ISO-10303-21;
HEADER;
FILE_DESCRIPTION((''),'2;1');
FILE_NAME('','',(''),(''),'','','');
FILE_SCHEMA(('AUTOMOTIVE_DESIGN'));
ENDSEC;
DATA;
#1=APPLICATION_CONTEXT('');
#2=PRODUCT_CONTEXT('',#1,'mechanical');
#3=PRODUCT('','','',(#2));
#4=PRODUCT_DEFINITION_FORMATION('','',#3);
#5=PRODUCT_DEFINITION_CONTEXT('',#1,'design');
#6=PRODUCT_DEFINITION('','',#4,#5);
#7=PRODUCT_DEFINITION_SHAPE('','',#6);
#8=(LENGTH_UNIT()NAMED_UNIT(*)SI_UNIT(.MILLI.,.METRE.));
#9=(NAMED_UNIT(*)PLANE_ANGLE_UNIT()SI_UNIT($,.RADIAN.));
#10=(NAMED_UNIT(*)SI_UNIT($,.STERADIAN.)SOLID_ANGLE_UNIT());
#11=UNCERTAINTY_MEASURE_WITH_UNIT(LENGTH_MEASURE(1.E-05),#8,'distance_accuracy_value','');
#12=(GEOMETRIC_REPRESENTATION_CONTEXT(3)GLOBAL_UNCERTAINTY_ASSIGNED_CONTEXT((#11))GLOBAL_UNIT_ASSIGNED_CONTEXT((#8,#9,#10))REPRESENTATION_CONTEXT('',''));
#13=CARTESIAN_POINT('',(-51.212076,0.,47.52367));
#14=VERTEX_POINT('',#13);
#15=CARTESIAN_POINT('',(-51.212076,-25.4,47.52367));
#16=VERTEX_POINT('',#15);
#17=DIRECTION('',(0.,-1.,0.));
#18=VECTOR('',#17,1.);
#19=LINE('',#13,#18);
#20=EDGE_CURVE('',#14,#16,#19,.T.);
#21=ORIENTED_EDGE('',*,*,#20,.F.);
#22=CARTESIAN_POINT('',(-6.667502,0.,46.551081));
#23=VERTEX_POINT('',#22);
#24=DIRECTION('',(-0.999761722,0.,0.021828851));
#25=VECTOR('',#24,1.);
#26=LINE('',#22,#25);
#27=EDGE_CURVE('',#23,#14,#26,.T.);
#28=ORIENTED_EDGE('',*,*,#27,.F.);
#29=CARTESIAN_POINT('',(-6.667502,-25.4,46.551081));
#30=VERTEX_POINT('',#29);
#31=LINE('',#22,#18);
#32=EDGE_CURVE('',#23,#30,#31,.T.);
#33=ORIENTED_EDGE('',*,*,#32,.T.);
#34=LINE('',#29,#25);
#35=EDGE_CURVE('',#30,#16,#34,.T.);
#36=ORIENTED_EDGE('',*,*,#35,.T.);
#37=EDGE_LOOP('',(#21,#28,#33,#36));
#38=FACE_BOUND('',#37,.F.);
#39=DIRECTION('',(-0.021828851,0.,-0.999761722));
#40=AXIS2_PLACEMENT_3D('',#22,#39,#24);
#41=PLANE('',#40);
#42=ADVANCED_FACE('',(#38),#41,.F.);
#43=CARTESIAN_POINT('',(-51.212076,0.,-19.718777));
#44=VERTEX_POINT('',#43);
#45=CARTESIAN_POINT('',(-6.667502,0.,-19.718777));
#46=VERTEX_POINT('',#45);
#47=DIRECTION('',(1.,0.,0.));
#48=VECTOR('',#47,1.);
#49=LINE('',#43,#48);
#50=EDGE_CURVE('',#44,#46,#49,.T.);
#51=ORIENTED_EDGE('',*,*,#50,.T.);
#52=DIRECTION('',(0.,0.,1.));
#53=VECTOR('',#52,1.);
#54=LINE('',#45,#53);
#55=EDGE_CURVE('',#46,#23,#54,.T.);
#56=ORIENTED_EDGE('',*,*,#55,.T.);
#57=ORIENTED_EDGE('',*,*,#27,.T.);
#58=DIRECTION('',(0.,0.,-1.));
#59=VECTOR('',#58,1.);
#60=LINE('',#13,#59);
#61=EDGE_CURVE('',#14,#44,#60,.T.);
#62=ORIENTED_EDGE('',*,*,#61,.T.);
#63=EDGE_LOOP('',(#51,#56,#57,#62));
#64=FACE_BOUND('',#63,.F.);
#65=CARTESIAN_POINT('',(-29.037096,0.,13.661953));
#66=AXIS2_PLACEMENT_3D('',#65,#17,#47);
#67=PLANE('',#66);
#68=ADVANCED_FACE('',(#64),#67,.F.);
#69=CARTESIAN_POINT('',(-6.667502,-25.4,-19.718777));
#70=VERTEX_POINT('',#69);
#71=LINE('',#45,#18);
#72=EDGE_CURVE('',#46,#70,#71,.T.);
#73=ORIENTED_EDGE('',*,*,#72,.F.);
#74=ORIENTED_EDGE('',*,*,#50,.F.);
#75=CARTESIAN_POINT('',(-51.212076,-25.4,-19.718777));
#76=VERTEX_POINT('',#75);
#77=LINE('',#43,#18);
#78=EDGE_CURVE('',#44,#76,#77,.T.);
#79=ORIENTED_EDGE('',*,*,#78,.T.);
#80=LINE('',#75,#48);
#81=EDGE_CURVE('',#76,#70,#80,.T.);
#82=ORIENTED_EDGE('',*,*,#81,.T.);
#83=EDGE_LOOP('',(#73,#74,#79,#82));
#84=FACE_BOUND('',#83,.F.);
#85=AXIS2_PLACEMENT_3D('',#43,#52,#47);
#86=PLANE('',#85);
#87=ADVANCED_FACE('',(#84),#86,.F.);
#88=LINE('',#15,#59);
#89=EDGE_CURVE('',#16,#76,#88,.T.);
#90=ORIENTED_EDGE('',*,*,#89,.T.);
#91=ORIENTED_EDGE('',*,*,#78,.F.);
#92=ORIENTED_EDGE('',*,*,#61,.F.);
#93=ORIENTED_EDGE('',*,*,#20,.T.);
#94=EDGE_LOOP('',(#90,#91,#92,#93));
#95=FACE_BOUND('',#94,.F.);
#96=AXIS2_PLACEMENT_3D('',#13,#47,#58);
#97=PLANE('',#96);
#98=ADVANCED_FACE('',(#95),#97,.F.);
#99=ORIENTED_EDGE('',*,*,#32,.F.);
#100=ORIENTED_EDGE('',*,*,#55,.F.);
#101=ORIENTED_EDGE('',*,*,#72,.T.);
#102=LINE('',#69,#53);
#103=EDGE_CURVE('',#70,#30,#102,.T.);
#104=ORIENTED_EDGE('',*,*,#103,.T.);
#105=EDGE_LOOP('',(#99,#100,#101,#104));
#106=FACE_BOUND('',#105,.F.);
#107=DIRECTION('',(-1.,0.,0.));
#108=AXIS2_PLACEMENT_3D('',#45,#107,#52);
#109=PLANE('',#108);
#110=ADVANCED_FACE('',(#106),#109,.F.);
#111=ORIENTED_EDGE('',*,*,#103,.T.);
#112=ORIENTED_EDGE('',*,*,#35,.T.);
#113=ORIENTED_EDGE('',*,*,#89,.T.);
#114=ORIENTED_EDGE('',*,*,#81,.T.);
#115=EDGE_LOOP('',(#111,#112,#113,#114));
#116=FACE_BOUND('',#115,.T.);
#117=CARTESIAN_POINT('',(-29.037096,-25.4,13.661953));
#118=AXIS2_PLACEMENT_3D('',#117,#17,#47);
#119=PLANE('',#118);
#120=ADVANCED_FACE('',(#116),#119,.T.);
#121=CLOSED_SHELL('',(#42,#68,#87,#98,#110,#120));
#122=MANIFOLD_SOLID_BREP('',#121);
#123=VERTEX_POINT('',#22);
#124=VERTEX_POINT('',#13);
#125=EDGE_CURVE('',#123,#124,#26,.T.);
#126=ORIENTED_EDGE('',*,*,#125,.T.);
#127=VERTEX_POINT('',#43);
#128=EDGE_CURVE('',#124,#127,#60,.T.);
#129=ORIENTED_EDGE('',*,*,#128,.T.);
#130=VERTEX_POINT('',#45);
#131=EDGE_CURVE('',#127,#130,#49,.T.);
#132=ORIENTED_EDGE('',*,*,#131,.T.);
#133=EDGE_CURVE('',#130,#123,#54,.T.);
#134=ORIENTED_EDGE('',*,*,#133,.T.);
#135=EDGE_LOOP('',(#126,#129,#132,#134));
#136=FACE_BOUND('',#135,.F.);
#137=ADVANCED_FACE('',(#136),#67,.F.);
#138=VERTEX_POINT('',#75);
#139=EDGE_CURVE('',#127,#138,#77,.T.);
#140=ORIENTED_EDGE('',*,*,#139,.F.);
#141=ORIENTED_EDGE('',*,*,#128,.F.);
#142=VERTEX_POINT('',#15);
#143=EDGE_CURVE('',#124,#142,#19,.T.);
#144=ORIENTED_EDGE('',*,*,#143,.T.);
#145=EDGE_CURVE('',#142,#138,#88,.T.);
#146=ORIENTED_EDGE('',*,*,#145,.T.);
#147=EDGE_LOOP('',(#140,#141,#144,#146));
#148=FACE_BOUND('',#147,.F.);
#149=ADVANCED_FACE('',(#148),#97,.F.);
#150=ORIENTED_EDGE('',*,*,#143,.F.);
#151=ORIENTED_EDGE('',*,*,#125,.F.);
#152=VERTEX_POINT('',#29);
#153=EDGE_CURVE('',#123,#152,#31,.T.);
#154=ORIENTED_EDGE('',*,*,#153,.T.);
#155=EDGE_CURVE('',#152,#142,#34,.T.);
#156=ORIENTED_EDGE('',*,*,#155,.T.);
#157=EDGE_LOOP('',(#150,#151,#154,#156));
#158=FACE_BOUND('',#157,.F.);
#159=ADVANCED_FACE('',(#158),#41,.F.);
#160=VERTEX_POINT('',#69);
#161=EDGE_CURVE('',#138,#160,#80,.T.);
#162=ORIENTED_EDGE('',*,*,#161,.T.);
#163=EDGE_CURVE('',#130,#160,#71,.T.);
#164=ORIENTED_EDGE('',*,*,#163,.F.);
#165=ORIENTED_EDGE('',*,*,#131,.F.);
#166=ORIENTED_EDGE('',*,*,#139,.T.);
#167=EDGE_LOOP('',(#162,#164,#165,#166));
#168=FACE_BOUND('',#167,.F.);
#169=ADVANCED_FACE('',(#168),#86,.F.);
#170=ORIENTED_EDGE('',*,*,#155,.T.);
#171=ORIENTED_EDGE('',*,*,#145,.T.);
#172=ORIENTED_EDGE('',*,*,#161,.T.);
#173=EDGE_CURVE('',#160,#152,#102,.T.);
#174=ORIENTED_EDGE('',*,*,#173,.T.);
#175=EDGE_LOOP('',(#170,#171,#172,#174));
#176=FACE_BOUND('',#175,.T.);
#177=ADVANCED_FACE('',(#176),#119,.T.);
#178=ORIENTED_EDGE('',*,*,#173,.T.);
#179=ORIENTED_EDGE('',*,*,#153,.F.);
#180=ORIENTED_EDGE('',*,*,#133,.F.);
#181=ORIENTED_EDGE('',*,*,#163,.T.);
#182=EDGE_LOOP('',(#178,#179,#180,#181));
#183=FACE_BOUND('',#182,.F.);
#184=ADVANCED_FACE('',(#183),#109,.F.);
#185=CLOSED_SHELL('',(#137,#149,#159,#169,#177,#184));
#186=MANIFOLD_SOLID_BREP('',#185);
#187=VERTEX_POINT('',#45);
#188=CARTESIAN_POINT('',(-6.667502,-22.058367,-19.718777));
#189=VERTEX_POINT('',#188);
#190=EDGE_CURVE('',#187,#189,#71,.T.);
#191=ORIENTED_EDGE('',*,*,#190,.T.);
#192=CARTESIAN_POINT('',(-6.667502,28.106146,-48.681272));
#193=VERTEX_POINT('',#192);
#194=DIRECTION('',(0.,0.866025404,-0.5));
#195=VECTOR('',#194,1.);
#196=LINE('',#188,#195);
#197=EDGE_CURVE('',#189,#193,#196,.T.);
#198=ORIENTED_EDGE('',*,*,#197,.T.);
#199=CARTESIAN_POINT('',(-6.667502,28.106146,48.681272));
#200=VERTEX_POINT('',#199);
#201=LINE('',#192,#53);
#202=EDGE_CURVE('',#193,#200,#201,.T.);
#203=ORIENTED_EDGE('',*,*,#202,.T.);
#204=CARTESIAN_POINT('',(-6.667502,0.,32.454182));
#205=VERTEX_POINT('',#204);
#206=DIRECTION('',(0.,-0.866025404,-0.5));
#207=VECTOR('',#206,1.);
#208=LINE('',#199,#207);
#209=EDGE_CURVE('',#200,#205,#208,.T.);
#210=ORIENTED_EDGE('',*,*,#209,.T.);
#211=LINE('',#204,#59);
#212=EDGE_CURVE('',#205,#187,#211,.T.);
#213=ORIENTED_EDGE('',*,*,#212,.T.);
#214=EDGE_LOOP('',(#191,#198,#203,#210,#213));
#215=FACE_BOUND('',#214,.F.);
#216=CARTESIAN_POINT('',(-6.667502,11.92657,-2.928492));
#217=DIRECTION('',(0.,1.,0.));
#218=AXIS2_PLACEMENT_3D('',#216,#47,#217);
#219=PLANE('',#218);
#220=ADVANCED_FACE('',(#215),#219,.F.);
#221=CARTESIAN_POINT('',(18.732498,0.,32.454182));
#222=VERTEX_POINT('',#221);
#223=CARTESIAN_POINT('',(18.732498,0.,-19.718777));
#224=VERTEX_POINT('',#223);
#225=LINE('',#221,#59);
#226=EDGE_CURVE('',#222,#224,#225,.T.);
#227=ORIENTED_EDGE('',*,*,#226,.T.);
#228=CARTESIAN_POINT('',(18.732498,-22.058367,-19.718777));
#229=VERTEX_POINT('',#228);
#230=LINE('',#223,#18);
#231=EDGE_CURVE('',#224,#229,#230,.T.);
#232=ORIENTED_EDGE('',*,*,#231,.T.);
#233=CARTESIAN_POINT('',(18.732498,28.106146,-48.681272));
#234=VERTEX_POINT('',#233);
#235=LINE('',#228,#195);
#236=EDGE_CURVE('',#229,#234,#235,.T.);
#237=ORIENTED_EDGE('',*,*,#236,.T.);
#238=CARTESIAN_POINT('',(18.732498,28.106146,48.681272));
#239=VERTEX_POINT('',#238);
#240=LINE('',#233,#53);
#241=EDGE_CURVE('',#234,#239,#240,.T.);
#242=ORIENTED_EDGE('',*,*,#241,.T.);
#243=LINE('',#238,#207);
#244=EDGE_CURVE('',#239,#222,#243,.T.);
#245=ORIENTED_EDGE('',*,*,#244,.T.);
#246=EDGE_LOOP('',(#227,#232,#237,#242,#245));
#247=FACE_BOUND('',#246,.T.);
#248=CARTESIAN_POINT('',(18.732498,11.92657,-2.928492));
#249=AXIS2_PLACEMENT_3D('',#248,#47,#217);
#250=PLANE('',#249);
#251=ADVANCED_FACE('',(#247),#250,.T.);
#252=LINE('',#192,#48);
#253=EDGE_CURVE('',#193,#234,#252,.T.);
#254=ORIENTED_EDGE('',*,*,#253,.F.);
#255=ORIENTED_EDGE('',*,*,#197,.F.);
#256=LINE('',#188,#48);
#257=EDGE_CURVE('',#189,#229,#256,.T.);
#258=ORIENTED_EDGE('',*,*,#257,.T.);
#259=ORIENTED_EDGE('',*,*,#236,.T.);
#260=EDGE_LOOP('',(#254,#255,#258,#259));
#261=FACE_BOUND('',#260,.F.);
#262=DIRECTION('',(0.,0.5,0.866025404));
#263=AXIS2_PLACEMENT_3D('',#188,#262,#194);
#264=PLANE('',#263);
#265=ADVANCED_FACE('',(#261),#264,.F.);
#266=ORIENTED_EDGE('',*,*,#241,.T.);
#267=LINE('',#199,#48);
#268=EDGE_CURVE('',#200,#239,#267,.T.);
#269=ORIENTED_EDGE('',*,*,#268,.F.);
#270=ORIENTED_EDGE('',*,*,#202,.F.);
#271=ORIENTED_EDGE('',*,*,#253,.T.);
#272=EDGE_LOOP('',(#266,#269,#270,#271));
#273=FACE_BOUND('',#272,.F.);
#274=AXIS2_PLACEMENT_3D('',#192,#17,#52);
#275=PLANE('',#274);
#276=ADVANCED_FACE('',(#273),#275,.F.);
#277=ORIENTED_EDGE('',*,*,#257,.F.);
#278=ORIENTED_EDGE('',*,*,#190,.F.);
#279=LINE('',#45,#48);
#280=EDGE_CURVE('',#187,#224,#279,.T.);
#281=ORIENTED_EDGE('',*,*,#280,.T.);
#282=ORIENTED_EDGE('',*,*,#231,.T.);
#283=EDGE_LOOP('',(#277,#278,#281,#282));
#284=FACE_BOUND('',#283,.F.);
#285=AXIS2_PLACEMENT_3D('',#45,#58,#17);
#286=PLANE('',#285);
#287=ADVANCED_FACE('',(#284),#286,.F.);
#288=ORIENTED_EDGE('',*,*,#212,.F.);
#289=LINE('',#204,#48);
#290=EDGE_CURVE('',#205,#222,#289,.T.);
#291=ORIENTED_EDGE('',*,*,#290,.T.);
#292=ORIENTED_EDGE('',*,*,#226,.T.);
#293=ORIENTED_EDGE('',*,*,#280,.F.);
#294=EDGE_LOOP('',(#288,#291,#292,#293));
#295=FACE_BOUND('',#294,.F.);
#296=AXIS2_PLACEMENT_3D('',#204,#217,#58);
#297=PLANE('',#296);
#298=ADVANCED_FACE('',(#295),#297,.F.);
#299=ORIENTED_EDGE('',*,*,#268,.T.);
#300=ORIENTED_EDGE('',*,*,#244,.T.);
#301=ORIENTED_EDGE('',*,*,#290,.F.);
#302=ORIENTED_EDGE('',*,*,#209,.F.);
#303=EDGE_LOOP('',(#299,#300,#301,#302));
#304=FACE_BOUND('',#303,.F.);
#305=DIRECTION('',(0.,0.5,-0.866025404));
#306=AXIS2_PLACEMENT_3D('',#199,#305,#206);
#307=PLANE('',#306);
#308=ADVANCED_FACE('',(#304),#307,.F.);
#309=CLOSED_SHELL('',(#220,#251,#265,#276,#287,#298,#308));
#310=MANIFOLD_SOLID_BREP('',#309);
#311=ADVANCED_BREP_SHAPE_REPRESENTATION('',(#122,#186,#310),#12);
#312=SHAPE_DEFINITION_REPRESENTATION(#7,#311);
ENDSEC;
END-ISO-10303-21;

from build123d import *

# Parameters (mm, degrees)
F2_DEPTH = 25.4
F4_DEPTH = 25.4


with BuildPart() as f2:
    # F0 (on Front) → F2 (new body)
    with BuildSketch(Plane.XZ):
        Polygon((-6.6675017588, 46.5510812542), (-51.2120760977, 47.5236698985), (-51.2120760977, -19.7187773883), (-6.6675017588, -19.7187773883), align=None)
    extrude(amount=F2_DEPTH)


with BuildPart() as f2b:
    # F1 (on face) → F2, piece 2 (new body)
    with BuildSketch(Plane.XZ):
        Polygon((-6.6675017588, -19.7187773883), (-6.6675017588, 46.5510812542), (-51.2120760977, 47.5236698985), (-51.2120760977, -19.7187773883), align=None)
    extrude(amount=F2_DEPTH)


with BuildPart() as f4:
    # F3 (on face) → F4 (new body)
    with BuildSketch(Plane.YZ.offset(-6.6675017588)):
        Polygon((28.1061456905, -48.6812723409), (28.1061456905, 48.6812723409), (0, 32.4541815606), (0, -19.7187773883), (-22.0583670813, -19.7187773883), align=None)
    extrude(amount=F4_DEPTH)


solid = Compound([f2.part, f2b.part, f4.part])
